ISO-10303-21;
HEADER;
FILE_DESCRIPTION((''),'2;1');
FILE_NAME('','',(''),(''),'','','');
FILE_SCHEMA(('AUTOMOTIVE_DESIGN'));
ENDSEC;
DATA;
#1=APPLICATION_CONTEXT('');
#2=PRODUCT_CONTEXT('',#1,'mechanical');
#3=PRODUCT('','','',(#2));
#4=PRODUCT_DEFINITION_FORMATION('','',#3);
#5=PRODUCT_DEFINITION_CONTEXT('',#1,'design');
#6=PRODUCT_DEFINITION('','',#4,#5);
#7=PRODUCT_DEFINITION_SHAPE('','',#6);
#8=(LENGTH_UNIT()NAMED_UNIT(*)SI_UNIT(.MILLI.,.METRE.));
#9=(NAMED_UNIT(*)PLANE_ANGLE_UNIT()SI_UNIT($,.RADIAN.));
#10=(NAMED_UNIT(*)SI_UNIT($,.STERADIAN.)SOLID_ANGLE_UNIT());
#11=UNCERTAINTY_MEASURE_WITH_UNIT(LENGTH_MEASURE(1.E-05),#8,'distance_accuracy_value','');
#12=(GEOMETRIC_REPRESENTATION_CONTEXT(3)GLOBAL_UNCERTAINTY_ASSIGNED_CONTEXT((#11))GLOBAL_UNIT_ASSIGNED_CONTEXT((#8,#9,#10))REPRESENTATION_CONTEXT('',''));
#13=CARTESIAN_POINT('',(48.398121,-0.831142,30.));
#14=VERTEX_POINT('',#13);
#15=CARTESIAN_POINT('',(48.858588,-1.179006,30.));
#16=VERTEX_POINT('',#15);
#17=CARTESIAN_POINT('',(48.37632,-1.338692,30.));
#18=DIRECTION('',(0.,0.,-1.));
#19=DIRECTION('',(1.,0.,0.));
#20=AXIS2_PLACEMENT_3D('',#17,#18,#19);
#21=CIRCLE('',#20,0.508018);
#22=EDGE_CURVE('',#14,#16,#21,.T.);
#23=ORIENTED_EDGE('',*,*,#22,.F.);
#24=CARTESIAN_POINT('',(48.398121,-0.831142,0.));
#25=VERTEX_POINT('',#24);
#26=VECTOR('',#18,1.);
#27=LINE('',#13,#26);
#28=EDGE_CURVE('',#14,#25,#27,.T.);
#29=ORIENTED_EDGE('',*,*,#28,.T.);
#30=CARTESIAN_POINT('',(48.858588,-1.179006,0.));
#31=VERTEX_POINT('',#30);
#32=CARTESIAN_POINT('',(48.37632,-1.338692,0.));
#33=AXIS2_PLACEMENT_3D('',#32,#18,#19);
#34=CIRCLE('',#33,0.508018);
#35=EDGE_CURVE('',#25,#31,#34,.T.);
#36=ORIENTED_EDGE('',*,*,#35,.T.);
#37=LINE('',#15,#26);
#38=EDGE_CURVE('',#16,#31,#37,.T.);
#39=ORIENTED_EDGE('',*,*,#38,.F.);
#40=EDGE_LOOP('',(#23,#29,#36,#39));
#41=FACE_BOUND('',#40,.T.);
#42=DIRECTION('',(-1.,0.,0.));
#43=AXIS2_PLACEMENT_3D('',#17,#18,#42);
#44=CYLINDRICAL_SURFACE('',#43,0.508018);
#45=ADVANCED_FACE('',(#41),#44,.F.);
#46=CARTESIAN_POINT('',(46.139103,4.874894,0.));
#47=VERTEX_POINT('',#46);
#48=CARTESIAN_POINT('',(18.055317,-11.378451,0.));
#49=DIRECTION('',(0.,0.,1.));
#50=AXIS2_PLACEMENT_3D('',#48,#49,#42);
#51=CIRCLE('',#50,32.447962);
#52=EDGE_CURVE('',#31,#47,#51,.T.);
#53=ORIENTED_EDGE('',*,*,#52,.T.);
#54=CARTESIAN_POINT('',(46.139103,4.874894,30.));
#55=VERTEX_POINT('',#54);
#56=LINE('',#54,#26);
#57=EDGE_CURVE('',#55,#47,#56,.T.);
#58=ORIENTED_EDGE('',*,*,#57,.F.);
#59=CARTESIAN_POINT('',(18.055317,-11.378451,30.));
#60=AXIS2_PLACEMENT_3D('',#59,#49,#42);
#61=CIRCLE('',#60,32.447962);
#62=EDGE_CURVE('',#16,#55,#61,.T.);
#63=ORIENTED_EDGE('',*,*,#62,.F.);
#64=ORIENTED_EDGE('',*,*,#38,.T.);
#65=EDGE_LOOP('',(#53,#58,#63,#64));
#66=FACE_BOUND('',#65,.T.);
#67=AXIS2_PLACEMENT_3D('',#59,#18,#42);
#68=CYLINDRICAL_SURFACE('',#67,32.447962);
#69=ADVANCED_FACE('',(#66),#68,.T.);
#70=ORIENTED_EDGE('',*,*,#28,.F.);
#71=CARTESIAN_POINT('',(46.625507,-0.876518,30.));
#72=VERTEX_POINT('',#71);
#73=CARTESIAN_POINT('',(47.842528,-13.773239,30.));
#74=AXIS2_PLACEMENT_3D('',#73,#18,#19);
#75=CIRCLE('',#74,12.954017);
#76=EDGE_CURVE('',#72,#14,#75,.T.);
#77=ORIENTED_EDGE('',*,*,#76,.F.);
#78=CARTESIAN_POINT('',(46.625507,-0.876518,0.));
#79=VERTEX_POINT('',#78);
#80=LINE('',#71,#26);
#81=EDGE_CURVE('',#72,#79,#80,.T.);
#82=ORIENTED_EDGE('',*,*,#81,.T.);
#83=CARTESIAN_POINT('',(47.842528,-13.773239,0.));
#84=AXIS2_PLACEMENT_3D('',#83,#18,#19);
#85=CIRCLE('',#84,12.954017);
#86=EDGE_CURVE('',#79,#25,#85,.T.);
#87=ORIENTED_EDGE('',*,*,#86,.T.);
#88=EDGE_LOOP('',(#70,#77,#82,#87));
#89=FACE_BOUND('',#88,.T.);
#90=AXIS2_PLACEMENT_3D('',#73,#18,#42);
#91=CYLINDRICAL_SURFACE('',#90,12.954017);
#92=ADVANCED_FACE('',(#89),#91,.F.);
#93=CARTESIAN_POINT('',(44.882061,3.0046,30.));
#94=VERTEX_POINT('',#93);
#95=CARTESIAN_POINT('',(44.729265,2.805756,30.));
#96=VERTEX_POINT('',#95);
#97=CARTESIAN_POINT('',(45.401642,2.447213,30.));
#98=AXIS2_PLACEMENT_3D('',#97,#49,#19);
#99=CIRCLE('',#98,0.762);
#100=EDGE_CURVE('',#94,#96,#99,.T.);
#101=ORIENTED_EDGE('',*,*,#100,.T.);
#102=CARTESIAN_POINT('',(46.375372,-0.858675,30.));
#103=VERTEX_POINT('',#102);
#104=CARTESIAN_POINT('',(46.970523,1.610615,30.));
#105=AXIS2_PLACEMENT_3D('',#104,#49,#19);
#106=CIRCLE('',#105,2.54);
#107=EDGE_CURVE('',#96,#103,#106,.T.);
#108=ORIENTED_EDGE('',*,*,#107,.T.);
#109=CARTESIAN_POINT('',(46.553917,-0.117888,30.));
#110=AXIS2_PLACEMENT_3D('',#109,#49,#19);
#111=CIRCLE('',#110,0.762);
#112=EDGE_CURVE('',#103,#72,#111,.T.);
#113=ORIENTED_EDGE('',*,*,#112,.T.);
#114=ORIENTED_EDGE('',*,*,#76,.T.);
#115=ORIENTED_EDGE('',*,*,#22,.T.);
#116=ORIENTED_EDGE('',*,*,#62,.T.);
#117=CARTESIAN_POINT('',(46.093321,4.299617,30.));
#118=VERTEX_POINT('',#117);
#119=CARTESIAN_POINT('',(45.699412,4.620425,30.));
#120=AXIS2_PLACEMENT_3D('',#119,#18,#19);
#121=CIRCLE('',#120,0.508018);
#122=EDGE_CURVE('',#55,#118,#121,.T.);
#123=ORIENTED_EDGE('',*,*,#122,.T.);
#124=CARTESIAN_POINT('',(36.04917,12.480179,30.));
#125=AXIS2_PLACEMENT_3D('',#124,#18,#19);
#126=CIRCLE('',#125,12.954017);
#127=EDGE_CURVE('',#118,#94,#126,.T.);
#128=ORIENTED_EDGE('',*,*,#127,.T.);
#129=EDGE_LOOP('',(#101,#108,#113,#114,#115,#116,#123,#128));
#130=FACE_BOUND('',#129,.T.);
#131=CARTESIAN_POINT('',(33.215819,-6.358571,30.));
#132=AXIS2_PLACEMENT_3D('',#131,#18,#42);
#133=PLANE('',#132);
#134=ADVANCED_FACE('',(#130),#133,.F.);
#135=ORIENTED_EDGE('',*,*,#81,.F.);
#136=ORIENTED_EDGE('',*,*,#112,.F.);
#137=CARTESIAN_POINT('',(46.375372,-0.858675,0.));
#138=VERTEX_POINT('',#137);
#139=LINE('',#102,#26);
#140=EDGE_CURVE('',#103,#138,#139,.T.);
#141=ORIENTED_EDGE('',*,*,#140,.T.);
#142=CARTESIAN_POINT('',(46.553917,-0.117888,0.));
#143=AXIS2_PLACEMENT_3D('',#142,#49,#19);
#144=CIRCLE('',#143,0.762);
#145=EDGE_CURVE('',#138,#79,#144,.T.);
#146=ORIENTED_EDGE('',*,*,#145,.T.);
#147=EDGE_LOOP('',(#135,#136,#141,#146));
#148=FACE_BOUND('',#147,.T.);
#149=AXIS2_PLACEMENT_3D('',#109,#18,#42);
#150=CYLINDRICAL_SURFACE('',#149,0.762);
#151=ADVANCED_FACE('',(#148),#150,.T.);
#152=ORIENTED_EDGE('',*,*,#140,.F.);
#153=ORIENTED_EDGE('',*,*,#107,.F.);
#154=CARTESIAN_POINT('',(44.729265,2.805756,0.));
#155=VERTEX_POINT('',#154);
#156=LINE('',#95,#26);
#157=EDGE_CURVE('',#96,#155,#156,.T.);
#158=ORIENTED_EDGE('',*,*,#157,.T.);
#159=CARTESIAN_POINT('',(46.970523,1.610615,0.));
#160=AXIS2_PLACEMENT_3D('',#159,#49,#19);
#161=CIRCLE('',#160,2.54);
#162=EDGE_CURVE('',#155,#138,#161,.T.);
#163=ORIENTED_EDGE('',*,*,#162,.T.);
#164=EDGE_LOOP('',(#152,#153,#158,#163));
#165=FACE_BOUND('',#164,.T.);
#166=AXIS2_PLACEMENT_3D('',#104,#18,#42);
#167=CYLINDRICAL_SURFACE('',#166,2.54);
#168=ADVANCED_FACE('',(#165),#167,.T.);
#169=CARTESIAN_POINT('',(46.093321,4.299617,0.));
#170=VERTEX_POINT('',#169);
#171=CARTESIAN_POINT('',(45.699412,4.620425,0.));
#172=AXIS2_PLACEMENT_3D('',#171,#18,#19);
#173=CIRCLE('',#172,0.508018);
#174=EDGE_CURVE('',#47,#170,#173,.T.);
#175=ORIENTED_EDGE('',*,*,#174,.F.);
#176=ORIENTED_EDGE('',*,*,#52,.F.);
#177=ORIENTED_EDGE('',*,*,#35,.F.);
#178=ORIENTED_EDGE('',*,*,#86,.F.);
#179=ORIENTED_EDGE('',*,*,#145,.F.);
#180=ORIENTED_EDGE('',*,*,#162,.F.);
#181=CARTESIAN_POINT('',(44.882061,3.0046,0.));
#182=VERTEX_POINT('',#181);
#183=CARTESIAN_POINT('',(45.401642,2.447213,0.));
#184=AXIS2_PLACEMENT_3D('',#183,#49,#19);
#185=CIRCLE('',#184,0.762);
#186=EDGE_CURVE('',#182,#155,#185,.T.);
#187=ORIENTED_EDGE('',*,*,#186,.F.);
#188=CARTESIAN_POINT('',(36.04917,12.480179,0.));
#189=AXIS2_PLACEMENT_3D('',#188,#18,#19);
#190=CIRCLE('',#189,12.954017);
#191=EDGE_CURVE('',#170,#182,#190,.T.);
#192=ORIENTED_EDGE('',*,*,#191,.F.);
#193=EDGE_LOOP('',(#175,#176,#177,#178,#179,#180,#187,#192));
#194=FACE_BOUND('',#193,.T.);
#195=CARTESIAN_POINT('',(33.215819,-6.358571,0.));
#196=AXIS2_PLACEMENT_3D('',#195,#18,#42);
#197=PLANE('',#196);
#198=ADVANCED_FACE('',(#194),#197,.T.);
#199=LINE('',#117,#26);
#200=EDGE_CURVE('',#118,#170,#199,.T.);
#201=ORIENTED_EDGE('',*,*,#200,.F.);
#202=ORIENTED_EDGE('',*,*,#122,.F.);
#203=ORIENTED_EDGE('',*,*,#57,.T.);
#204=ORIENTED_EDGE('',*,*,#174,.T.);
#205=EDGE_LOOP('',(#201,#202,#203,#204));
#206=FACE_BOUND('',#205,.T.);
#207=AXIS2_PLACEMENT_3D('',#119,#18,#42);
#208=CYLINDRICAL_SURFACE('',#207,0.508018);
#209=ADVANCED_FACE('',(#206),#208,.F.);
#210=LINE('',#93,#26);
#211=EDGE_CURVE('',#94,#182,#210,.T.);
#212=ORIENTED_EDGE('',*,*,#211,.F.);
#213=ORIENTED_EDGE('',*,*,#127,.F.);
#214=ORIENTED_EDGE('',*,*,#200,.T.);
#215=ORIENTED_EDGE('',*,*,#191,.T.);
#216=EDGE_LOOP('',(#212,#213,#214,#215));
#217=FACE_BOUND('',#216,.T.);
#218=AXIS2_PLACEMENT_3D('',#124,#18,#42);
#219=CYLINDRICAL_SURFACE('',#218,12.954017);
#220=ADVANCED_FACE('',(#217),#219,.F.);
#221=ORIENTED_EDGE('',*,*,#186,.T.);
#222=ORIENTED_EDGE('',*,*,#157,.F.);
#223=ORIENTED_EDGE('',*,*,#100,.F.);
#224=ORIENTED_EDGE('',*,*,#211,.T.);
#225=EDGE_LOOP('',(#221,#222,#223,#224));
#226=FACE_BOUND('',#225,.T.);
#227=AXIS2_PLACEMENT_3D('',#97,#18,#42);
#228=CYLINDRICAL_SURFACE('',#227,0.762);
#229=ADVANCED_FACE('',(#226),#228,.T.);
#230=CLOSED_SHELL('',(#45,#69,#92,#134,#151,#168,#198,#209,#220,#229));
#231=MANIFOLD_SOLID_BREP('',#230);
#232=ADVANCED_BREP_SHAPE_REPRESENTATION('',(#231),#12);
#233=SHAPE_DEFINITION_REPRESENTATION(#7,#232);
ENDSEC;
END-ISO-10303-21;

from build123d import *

# Parameters (mm, degrees)
BOSS_EXTRUDE1_DEPTH = 30


with BuildPart() as part:
    # Sketch1 → Boss-Extrude1 (new body)
    with BuildSketch(Plane.XY):
        with BuildLine():
            ThreePointArc((48.858588389, -1.179005617), (48.682545238, -0.93334219), (48.398121497, -0.83114216))
            ThreePointArc((48.398121497, -0.83114216), (47.511036789, -0.823464154), (46.625506707, -0.87651793))
            ThreePointArc((46.625506707, -0.87651793), (46.499700305, -0.877957039), (46.375371947, -0.858675408))
            ThreePointArc((46.375371947, -0.858675408), (44.653559843, 0.569806744), (44.729264572, 2.80575553))
            ThreePointArc((44.729264572, 2.80575553), (44.797426836, 2.911506311), (44.882061013, 3.004599694))
            ThreePointArc((44.882061013, 3.004599694), (45.509875566, 3.631358912), (46.093321356, 4.299617274))
            ThreePointArc((46.093321356, 4.299617274), (46.205828694, 4.580123619), (46.139102532, 4.87489358))
            ThreePointArc((46.139102532, 4.87489358), (47.654029675, 1.917654636), (48.858588389, -1.179005617))
        make_face()
    extrude(amount=BOSS_EXTRUDE1_DEPTH)


solid = part.part
